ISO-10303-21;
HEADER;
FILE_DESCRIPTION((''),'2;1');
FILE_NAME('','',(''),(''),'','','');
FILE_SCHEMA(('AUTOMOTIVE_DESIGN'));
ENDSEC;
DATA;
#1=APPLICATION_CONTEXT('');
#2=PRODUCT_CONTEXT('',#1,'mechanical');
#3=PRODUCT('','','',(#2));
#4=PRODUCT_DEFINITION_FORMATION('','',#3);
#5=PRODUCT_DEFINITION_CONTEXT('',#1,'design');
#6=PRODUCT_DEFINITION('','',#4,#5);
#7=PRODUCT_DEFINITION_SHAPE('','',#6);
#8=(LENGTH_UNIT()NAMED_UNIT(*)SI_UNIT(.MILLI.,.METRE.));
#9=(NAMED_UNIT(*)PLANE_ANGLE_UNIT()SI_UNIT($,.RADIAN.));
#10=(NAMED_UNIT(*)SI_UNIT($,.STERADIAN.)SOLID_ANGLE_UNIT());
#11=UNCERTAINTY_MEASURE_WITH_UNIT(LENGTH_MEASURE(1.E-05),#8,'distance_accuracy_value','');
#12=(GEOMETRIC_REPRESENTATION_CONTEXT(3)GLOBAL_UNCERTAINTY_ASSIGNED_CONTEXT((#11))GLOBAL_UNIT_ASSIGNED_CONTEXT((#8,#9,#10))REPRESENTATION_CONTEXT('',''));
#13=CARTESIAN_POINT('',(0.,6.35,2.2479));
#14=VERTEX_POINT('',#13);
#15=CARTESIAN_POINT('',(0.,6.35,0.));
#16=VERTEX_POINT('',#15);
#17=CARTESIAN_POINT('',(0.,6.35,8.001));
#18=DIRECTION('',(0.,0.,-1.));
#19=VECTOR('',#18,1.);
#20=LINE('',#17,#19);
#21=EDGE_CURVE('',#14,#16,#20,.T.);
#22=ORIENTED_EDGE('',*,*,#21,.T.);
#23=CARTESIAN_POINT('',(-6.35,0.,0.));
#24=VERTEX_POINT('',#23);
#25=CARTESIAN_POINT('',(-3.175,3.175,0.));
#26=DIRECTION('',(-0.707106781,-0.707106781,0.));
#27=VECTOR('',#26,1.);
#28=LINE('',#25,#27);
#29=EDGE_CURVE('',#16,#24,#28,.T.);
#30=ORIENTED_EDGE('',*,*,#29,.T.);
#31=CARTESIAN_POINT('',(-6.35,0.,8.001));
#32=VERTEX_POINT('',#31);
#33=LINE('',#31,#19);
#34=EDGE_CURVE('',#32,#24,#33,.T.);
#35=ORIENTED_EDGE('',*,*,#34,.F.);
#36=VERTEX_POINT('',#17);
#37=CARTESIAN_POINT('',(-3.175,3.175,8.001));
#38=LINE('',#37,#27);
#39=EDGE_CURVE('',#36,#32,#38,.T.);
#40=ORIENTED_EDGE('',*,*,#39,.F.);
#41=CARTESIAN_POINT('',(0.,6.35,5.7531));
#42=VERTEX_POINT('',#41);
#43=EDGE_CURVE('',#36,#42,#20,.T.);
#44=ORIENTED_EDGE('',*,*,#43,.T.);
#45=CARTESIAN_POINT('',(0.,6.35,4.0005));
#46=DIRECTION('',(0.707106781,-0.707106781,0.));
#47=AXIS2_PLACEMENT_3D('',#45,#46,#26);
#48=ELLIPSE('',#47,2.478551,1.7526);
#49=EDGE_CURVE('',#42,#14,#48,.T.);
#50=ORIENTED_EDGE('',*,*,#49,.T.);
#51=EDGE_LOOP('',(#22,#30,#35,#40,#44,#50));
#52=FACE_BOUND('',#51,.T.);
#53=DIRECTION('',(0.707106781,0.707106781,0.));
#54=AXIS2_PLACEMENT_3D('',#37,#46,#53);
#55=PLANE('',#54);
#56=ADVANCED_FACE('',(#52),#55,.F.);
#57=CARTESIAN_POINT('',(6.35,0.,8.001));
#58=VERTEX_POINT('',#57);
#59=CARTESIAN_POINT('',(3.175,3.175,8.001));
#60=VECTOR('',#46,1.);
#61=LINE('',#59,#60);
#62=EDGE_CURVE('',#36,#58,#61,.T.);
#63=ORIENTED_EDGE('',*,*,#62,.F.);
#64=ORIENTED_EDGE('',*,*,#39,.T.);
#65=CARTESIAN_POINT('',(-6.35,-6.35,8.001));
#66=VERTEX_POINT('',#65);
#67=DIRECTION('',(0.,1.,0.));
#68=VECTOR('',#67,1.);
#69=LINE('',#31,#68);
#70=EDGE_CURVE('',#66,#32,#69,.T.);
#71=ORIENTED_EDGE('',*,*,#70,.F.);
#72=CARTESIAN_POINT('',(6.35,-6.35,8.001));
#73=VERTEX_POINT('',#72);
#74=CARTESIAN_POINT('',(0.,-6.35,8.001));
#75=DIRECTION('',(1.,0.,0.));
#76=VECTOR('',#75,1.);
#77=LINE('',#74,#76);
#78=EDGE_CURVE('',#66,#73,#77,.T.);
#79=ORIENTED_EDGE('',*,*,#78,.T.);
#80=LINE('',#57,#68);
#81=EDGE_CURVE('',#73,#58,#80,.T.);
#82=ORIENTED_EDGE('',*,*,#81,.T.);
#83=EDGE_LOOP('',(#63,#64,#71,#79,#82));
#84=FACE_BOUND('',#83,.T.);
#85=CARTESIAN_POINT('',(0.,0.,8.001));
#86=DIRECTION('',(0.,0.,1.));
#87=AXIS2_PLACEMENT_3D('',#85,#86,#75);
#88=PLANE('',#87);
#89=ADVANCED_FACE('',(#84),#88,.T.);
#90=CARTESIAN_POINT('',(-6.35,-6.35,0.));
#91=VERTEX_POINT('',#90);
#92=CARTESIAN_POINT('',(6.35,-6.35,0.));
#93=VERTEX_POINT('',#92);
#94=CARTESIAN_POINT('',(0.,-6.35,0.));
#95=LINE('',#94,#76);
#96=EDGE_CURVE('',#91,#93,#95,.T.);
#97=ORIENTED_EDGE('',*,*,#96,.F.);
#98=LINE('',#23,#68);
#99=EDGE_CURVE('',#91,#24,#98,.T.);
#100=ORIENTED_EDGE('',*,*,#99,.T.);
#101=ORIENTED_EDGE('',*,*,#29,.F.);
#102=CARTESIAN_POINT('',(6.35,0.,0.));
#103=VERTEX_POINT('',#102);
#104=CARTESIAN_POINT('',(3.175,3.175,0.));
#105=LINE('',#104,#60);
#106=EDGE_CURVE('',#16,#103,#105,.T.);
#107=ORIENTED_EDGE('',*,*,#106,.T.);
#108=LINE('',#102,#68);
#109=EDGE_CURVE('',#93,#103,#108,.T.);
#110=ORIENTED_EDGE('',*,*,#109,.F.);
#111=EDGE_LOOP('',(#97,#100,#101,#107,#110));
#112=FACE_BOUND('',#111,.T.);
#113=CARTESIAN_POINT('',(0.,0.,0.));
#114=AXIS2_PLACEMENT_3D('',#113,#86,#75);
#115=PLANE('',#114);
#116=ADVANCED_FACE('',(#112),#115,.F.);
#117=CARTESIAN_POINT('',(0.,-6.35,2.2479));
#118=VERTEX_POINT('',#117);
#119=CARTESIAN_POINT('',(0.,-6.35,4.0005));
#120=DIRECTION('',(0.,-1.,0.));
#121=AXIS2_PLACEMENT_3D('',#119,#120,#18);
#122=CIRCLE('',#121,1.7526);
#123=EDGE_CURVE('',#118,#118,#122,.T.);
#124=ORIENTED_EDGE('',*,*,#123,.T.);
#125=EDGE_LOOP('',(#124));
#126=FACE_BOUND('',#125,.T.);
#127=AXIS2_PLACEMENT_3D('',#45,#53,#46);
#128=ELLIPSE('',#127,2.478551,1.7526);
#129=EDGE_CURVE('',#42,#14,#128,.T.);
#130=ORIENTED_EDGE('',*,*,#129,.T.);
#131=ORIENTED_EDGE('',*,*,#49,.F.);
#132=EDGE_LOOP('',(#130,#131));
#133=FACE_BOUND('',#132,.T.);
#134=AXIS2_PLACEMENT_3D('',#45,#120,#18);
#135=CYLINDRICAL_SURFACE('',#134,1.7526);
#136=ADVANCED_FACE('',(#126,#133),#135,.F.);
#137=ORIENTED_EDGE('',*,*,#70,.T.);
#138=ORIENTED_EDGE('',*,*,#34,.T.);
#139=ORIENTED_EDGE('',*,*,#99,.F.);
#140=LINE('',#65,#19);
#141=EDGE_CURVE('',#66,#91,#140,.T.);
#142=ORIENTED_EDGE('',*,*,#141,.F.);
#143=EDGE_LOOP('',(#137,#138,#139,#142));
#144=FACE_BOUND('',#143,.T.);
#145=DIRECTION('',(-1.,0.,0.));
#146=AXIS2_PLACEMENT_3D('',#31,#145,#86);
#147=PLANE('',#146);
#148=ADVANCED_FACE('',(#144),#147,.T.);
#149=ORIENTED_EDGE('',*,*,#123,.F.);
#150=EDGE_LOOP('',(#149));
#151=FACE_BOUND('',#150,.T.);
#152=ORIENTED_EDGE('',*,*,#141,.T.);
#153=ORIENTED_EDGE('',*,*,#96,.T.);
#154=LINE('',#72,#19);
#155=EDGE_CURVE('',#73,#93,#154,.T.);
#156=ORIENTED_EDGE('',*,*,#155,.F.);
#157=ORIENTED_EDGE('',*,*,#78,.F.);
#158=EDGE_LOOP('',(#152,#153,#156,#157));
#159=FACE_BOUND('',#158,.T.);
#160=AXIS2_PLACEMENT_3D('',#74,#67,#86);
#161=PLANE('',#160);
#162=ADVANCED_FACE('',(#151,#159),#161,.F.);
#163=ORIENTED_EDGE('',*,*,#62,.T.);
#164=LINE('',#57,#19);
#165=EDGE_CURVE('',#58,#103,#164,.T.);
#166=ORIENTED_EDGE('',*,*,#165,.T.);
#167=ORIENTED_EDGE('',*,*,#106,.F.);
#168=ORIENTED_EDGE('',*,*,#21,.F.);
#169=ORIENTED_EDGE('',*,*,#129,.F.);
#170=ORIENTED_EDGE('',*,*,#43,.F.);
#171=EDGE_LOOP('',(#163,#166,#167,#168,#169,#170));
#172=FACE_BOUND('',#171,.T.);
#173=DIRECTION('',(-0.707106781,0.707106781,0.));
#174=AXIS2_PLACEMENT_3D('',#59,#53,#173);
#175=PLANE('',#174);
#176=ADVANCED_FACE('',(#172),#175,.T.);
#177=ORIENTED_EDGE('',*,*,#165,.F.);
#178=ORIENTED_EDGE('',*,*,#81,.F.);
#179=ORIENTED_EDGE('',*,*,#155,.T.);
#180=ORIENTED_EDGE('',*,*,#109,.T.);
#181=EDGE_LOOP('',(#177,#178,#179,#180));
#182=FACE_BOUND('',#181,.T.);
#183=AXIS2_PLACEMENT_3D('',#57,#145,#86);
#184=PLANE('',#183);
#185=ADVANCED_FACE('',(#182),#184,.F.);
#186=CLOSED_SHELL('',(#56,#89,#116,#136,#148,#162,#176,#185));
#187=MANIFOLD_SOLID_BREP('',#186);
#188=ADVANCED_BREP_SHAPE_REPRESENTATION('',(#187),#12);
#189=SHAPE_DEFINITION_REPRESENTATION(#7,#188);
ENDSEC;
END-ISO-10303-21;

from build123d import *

# Parameters (mm, degrees)
BOSS_EXTRUDE1_DEPTH       = 8.001
SKETCH2_R                 = 1.7526
F_25_20_TAPPED_HOLE_DEPTH = 13.7


with BuildPart() as part:
    # Sketch1 → Boss-Extrude1 (new body)
    with BuildSketch(Plane.XY):
        Polygon((6.35, 0), (0, 6.35), (-6.35, 0), (-6.35, -6.35), (6.35, -6.35), align=None)
    extrude(amount=BOSS_EXTRUDE1_DEPTH)

    # Sketch2 → .25-20 tapped hole (cut, through all)
    with BuildSketch(Plane.XZ.offset(6.35)):
        with Locations((0, 4.0005)):
            Circle(SKETCH2_R)
    extrude(amount=-F_25_20_TAPPED_HOLE_DEPTH, mode=Mode.SUBTRACT)


solid = part.part
